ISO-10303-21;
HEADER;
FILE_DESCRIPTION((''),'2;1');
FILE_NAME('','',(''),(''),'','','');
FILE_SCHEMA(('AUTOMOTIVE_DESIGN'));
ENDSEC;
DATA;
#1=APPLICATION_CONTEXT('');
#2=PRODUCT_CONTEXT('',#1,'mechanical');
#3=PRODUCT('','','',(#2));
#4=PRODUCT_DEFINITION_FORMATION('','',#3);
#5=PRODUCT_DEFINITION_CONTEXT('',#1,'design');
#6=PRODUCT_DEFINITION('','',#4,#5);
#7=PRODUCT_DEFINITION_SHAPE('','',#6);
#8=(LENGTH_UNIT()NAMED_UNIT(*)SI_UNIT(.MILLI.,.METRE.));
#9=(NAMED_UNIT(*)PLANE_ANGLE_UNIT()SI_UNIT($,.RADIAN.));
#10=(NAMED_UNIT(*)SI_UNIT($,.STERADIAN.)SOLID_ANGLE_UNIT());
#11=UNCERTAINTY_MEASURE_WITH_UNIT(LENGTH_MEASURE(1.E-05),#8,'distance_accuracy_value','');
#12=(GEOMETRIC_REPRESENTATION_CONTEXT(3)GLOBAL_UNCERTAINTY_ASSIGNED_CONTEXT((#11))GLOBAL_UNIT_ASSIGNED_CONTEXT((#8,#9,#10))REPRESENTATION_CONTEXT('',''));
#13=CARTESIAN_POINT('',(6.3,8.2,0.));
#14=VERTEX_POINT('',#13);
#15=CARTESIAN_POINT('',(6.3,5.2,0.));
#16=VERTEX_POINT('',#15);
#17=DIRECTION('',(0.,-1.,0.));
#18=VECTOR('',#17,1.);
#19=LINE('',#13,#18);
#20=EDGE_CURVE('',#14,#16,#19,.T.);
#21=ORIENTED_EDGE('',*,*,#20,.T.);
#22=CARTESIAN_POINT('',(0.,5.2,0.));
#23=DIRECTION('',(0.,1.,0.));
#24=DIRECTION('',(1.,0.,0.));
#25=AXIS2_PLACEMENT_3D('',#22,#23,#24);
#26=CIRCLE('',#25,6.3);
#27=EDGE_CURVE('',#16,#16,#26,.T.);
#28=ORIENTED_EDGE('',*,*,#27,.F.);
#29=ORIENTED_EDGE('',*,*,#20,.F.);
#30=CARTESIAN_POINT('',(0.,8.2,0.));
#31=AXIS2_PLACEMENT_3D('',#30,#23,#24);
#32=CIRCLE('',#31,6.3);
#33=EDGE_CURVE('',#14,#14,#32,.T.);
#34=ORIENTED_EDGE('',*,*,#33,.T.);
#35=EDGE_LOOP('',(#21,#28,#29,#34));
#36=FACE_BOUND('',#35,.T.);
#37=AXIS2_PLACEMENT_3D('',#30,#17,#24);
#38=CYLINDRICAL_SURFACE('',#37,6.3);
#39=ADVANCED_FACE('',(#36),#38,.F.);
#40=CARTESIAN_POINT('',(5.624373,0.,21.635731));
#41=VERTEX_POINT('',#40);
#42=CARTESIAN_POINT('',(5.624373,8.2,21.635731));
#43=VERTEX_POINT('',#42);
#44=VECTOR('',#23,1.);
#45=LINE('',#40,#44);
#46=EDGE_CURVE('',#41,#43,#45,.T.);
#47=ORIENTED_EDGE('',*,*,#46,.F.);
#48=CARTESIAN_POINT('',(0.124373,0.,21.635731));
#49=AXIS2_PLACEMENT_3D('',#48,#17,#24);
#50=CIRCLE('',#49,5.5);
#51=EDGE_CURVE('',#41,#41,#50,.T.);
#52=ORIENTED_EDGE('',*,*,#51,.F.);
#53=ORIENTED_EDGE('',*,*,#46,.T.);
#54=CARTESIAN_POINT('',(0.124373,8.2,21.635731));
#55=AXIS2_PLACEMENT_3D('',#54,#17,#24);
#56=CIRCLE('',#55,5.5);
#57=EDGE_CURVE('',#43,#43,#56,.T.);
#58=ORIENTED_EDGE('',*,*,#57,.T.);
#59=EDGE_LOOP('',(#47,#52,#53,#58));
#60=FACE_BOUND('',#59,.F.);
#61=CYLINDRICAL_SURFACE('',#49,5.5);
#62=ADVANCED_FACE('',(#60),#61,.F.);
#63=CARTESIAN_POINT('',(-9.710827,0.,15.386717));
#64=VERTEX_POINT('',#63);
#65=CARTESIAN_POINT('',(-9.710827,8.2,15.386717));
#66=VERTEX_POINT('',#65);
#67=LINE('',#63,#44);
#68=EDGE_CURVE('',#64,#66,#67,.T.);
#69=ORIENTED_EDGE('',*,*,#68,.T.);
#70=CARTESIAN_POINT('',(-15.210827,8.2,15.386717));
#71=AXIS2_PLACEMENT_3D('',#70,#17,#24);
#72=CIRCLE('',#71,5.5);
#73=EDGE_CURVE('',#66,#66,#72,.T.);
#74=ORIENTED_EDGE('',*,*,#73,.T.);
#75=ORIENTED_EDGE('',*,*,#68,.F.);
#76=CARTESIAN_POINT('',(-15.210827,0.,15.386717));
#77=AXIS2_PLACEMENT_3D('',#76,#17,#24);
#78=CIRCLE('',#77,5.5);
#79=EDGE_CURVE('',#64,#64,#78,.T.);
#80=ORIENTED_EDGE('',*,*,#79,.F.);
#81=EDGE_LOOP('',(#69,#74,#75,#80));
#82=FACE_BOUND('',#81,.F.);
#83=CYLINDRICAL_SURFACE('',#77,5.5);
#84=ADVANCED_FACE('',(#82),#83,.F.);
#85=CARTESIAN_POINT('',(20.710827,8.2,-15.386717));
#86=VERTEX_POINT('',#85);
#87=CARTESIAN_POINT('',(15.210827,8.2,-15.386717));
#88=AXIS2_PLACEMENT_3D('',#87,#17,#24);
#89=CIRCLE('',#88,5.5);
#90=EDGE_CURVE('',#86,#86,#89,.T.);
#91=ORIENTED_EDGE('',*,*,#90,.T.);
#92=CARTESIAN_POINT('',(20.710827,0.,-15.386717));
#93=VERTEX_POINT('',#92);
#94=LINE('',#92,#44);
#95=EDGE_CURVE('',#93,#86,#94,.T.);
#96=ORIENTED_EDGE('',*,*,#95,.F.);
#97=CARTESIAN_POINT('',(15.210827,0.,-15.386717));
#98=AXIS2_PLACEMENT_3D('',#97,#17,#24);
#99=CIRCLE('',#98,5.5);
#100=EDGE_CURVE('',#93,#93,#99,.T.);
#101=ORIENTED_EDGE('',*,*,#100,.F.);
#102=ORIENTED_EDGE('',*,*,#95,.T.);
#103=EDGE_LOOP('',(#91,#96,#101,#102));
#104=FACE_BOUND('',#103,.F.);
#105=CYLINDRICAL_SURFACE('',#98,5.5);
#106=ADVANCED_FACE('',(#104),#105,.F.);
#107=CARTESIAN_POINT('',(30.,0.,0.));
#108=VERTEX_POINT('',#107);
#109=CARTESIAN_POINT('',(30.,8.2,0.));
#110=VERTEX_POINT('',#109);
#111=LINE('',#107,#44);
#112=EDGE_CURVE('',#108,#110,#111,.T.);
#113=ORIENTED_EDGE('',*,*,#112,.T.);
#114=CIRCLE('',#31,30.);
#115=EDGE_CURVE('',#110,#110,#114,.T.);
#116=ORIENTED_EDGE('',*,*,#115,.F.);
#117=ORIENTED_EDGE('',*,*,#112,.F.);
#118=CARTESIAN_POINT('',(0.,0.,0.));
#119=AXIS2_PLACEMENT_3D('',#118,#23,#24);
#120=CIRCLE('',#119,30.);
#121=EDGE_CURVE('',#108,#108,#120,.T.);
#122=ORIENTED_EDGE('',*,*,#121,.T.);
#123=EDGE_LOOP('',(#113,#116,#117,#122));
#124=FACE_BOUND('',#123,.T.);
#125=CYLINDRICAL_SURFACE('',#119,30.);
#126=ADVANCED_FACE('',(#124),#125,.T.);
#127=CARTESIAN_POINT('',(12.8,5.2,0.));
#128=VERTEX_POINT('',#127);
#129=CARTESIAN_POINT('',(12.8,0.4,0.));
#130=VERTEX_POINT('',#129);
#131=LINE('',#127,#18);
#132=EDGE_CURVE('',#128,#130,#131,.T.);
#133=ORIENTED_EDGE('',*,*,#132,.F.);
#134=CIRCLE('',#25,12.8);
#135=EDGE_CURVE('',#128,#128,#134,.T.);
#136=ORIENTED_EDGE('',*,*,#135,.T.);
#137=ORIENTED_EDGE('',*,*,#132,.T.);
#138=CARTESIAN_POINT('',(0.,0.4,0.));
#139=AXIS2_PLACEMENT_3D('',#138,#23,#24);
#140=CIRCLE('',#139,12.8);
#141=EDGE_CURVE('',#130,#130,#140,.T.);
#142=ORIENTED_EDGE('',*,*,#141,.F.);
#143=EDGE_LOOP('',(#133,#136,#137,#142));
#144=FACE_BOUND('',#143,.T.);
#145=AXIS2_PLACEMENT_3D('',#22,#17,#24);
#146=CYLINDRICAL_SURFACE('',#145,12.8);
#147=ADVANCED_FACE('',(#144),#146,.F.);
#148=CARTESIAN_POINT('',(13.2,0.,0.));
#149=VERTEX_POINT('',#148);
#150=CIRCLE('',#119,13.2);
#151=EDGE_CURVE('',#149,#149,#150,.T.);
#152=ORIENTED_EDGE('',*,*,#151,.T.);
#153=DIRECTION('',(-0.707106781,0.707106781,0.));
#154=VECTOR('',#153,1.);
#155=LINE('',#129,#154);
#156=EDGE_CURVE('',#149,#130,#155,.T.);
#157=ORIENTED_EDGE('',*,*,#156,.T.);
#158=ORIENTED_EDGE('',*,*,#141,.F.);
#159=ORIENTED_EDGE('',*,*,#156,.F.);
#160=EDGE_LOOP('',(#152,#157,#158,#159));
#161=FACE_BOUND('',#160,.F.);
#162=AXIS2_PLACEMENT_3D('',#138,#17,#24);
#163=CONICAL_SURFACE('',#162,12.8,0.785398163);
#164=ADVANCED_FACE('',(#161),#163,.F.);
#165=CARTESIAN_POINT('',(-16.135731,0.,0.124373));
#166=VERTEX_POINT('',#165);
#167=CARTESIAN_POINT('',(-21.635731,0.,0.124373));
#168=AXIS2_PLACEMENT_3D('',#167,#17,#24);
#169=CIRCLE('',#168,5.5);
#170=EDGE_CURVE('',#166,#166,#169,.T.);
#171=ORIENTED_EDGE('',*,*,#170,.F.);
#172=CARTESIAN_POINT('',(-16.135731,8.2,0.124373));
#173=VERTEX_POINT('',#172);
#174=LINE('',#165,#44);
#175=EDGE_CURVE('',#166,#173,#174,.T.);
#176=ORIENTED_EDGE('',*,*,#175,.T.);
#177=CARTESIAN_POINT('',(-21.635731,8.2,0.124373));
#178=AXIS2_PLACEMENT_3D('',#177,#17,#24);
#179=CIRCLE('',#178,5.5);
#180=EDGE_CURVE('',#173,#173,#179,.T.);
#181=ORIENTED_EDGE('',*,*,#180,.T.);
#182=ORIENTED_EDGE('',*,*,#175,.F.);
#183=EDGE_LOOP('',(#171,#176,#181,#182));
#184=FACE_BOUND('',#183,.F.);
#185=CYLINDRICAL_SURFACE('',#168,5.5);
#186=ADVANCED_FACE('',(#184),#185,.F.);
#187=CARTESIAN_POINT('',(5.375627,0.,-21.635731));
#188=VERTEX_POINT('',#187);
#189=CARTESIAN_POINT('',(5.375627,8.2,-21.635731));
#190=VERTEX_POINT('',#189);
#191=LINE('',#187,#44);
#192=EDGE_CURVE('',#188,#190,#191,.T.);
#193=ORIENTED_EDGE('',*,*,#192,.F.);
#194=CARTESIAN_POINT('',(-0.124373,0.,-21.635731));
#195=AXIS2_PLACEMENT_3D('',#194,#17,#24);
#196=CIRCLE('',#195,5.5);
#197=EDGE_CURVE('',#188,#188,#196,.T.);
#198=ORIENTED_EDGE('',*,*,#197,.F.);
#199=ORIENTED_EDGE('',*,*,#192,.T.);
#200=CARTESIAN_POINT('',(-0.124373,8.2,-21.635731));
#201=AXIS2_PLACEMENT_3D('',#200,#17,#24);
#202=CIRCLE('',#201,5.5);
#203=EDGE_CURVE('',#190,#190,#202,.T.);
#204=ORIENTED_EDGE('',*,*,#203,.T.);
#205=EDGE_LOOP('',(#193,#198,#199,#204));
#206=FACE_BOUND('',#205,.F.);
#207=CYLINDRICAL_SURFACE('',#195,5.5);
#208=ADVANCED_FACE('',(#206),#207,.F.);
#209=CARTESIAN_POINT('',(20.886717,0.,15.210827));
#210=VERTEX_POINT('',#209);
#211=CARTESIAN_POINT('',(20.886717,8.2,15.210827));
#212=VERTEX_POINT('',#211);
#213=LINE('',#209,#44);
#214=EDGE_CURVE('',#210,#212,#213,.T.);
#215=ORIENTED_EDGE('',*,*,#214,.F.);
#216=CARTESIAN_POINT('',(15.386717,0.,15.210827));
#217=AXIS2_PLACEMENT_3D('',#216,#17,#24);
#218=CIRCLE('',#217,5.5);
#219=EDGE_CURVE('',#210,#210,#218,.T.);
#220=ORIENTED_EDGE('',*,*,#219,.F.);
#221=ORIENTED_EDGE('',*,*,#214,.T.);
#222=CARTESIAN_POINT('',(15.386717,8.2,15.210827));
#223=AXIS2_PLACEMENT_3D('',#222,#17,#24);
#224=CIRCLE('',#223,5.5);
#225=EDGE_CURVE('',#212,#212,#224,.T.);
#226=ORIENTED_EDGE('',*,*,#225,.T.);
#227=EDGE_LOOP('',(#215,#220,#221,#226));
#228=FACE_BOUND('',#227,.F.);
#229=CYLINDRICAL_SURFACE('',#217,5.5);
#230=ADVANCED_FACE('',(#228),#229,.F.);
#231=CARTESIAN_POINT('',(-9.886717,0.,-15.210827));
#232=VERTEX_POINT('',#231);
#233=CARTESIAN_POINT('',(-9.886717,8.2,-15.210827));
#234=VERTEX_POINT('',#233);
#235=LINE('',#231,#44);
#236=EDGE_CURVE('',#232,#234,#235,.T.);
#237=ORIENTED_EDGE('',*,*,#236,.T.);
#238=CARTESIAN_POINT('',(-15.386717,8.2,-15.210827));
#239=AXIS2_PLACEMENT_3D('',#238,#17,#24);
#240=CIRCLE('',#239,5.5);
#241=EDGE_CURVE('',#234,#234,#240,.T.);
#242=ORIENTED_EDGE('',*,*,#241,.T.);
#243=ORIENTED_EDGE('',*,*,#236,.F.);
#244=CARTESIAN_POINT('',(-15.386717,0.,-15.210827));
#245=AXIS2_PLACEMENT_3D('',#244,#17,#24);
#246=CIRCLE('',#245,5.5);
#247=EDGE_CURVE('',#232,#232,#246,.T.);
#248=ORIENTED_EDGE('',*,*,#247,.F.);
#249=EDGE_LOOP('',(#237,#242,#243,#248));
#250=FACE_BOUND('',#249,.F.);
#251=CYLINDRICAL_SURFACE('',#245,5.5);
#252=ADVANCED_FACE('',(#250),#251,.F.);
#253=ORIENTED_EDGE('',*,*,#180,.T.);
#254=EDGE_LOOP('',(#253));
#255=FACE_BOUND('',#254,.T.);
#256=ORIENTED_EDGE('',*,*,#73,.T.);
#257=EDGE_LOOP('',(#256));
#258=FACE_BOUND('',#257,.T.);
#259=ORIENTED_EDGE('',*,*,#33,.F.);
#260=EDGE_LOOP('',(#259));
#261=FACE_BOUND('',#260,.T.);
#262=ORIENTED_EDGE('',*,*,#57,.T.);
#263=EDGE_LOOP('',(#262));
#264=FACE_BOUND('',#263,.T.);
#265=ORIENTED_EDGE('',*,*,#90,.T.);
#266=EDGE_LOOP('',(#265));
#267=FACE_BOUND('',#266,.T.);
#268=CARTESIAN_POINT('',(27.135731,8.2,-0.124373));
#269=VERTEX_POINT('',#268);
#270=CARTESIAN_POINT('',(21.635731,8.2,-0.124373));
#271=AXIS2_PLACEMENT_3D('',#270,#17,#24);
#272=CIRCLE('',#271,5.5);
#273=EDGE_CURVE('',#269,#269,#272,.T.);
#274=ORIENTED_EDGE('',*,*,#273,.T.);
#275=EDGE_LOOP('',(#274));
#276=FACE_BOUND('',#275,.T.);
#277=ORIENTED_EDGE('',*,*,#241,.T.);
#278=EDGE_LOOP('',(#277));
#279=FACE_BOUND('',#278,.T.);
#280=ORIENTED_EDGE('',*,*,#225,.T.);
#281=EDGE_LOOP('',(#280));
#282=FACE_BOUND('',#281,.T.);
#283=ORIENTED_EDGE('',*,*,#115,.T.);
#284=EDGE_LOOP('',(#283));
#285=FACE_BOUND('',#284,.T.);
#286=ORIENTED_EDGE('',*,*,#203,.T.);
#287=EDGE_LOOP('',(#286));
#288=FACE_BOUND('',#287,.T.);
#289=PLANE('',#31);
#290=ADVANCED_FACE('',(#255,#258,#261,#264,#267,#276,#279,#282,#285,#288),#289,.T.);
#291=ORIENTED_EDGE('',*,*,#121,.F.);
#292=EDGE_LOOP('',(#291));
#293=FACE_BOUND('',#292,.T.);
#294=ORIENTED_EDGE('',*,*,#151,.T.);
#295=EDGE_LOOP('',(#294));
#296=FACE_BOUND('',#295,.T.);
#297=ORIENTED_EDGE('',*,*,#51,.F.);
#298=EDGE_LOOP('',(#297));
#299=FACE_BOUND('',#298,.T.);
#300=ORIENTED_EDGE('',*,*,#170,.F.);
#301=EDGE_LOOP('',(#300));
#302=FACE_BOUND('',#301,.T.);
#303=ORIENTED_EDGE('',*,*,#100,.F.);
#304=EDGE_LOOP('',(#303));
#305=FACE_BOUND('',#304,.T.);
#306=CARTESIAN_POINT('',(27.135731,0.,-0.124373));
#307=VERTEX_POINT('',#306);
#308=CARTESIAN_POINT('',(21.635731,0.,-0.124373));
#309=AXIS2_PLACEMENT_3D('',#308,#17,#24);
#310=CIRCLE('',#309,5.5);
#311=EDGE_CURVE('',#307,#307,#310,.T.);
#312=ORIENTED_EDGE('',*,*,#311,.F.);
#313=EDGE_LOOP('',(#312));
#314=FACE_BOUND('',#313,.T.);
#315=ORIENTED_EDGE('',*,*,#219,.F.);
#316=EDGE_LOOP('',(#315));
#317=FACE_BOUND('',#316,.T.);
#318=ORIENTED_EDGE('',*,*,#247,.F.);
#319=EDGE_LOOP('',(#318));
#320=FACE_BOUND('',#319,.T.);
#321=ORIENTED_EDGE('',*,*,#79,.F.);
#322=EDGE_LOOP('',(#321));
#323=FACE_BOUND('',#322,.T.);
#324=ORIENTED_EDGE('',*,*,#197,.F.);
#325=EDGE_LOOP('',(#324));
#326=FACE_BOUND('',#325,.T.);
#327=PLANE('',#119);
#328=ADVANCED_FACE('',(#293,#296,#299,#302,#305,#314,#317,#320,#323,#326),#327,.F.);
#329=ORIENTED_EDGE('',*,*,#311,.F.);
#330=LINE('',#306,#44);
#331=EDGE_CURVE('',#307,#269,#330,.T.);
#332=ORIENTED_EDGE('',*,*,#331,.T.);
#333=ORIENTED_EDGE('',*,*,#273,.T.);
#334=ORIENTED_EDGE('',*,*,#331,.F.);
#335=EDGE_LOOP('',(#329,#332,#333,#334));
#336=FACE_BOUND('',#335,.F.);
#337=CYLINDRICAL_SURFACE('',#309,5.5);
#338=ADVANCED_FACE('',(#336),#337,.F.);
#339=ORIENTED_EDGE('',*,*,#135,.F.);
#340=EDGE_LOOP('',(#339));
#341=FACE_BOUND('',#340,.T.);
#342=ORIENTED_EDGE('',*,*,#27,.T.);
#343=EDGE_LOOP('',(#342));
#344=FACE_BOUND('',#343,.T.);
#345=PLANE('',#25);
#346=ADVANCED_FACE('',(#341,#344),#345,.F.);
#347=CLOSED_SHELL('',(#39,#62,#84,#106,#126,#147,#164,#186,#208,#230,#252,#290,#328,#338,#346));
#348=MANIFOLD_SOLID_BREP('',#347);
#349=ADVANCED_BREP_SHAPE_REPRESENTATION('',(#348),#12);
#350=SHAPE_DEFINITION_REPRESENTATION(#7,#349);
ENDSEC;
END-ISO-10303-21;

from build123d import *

# Parameters (mm, degrees)
SKETCH001_R  = 5.5
POCKET_DEPTH = 8.201
CHAMFER_SIZE = 0.4


with BuildPart() as part:
    # Sketch → Revolution (revolve)
    with BuildSketch(Plane.XY):
        Polygon((30, 0), (30, 8.2), (6.3, 8.2), (6.3, 5.2), (12.8, 5.2), (12.8, 0), align=None)
    revolve(axis=Axis((0, 0, 0), (0, 1, 0)))

    # Sketch001 (on Face6 of Revolution) → Pocket (cut, through all)
    with BuildSketch(Plane.XZ):
        with Locations((0.124373, 21.635731)):
            Circle(SKETCH001_R)
        with Locations((15.386717, 15.210827)):
            Circle(SKETCH001_R)
        with Locations((21.635731, -0.124373)):
            Circle(SKETCH001_R)
        with Locations((15.210827, -15.386717)):
            Circle(SKETCH001_R)
        with Locations((-0.124373, -21.635731)):
            Circle(SKETCH001_R)
        with Locations((-15.386717, -15.210827)):
            Circle(SKETCH001_R)
        with Locations((-21.635731, 0.124373)):
            Circle(SKETCH001_R)
        with Locations((-15.210827, 15.386717)):
            Circle(SKETCH001_R)
    extrude(amount=-POCKET_DEPTH, mode=Mode.SUBTRACT)

    # Chamfer
    chamfer_edges = [part.edges().sort_by_distance(p)[0] for p in [
        (-12.8, 0, 0),
    ]]
    chamfer(chamfer_edges, length=CHAMFER_SIZE)


solid = part.part
